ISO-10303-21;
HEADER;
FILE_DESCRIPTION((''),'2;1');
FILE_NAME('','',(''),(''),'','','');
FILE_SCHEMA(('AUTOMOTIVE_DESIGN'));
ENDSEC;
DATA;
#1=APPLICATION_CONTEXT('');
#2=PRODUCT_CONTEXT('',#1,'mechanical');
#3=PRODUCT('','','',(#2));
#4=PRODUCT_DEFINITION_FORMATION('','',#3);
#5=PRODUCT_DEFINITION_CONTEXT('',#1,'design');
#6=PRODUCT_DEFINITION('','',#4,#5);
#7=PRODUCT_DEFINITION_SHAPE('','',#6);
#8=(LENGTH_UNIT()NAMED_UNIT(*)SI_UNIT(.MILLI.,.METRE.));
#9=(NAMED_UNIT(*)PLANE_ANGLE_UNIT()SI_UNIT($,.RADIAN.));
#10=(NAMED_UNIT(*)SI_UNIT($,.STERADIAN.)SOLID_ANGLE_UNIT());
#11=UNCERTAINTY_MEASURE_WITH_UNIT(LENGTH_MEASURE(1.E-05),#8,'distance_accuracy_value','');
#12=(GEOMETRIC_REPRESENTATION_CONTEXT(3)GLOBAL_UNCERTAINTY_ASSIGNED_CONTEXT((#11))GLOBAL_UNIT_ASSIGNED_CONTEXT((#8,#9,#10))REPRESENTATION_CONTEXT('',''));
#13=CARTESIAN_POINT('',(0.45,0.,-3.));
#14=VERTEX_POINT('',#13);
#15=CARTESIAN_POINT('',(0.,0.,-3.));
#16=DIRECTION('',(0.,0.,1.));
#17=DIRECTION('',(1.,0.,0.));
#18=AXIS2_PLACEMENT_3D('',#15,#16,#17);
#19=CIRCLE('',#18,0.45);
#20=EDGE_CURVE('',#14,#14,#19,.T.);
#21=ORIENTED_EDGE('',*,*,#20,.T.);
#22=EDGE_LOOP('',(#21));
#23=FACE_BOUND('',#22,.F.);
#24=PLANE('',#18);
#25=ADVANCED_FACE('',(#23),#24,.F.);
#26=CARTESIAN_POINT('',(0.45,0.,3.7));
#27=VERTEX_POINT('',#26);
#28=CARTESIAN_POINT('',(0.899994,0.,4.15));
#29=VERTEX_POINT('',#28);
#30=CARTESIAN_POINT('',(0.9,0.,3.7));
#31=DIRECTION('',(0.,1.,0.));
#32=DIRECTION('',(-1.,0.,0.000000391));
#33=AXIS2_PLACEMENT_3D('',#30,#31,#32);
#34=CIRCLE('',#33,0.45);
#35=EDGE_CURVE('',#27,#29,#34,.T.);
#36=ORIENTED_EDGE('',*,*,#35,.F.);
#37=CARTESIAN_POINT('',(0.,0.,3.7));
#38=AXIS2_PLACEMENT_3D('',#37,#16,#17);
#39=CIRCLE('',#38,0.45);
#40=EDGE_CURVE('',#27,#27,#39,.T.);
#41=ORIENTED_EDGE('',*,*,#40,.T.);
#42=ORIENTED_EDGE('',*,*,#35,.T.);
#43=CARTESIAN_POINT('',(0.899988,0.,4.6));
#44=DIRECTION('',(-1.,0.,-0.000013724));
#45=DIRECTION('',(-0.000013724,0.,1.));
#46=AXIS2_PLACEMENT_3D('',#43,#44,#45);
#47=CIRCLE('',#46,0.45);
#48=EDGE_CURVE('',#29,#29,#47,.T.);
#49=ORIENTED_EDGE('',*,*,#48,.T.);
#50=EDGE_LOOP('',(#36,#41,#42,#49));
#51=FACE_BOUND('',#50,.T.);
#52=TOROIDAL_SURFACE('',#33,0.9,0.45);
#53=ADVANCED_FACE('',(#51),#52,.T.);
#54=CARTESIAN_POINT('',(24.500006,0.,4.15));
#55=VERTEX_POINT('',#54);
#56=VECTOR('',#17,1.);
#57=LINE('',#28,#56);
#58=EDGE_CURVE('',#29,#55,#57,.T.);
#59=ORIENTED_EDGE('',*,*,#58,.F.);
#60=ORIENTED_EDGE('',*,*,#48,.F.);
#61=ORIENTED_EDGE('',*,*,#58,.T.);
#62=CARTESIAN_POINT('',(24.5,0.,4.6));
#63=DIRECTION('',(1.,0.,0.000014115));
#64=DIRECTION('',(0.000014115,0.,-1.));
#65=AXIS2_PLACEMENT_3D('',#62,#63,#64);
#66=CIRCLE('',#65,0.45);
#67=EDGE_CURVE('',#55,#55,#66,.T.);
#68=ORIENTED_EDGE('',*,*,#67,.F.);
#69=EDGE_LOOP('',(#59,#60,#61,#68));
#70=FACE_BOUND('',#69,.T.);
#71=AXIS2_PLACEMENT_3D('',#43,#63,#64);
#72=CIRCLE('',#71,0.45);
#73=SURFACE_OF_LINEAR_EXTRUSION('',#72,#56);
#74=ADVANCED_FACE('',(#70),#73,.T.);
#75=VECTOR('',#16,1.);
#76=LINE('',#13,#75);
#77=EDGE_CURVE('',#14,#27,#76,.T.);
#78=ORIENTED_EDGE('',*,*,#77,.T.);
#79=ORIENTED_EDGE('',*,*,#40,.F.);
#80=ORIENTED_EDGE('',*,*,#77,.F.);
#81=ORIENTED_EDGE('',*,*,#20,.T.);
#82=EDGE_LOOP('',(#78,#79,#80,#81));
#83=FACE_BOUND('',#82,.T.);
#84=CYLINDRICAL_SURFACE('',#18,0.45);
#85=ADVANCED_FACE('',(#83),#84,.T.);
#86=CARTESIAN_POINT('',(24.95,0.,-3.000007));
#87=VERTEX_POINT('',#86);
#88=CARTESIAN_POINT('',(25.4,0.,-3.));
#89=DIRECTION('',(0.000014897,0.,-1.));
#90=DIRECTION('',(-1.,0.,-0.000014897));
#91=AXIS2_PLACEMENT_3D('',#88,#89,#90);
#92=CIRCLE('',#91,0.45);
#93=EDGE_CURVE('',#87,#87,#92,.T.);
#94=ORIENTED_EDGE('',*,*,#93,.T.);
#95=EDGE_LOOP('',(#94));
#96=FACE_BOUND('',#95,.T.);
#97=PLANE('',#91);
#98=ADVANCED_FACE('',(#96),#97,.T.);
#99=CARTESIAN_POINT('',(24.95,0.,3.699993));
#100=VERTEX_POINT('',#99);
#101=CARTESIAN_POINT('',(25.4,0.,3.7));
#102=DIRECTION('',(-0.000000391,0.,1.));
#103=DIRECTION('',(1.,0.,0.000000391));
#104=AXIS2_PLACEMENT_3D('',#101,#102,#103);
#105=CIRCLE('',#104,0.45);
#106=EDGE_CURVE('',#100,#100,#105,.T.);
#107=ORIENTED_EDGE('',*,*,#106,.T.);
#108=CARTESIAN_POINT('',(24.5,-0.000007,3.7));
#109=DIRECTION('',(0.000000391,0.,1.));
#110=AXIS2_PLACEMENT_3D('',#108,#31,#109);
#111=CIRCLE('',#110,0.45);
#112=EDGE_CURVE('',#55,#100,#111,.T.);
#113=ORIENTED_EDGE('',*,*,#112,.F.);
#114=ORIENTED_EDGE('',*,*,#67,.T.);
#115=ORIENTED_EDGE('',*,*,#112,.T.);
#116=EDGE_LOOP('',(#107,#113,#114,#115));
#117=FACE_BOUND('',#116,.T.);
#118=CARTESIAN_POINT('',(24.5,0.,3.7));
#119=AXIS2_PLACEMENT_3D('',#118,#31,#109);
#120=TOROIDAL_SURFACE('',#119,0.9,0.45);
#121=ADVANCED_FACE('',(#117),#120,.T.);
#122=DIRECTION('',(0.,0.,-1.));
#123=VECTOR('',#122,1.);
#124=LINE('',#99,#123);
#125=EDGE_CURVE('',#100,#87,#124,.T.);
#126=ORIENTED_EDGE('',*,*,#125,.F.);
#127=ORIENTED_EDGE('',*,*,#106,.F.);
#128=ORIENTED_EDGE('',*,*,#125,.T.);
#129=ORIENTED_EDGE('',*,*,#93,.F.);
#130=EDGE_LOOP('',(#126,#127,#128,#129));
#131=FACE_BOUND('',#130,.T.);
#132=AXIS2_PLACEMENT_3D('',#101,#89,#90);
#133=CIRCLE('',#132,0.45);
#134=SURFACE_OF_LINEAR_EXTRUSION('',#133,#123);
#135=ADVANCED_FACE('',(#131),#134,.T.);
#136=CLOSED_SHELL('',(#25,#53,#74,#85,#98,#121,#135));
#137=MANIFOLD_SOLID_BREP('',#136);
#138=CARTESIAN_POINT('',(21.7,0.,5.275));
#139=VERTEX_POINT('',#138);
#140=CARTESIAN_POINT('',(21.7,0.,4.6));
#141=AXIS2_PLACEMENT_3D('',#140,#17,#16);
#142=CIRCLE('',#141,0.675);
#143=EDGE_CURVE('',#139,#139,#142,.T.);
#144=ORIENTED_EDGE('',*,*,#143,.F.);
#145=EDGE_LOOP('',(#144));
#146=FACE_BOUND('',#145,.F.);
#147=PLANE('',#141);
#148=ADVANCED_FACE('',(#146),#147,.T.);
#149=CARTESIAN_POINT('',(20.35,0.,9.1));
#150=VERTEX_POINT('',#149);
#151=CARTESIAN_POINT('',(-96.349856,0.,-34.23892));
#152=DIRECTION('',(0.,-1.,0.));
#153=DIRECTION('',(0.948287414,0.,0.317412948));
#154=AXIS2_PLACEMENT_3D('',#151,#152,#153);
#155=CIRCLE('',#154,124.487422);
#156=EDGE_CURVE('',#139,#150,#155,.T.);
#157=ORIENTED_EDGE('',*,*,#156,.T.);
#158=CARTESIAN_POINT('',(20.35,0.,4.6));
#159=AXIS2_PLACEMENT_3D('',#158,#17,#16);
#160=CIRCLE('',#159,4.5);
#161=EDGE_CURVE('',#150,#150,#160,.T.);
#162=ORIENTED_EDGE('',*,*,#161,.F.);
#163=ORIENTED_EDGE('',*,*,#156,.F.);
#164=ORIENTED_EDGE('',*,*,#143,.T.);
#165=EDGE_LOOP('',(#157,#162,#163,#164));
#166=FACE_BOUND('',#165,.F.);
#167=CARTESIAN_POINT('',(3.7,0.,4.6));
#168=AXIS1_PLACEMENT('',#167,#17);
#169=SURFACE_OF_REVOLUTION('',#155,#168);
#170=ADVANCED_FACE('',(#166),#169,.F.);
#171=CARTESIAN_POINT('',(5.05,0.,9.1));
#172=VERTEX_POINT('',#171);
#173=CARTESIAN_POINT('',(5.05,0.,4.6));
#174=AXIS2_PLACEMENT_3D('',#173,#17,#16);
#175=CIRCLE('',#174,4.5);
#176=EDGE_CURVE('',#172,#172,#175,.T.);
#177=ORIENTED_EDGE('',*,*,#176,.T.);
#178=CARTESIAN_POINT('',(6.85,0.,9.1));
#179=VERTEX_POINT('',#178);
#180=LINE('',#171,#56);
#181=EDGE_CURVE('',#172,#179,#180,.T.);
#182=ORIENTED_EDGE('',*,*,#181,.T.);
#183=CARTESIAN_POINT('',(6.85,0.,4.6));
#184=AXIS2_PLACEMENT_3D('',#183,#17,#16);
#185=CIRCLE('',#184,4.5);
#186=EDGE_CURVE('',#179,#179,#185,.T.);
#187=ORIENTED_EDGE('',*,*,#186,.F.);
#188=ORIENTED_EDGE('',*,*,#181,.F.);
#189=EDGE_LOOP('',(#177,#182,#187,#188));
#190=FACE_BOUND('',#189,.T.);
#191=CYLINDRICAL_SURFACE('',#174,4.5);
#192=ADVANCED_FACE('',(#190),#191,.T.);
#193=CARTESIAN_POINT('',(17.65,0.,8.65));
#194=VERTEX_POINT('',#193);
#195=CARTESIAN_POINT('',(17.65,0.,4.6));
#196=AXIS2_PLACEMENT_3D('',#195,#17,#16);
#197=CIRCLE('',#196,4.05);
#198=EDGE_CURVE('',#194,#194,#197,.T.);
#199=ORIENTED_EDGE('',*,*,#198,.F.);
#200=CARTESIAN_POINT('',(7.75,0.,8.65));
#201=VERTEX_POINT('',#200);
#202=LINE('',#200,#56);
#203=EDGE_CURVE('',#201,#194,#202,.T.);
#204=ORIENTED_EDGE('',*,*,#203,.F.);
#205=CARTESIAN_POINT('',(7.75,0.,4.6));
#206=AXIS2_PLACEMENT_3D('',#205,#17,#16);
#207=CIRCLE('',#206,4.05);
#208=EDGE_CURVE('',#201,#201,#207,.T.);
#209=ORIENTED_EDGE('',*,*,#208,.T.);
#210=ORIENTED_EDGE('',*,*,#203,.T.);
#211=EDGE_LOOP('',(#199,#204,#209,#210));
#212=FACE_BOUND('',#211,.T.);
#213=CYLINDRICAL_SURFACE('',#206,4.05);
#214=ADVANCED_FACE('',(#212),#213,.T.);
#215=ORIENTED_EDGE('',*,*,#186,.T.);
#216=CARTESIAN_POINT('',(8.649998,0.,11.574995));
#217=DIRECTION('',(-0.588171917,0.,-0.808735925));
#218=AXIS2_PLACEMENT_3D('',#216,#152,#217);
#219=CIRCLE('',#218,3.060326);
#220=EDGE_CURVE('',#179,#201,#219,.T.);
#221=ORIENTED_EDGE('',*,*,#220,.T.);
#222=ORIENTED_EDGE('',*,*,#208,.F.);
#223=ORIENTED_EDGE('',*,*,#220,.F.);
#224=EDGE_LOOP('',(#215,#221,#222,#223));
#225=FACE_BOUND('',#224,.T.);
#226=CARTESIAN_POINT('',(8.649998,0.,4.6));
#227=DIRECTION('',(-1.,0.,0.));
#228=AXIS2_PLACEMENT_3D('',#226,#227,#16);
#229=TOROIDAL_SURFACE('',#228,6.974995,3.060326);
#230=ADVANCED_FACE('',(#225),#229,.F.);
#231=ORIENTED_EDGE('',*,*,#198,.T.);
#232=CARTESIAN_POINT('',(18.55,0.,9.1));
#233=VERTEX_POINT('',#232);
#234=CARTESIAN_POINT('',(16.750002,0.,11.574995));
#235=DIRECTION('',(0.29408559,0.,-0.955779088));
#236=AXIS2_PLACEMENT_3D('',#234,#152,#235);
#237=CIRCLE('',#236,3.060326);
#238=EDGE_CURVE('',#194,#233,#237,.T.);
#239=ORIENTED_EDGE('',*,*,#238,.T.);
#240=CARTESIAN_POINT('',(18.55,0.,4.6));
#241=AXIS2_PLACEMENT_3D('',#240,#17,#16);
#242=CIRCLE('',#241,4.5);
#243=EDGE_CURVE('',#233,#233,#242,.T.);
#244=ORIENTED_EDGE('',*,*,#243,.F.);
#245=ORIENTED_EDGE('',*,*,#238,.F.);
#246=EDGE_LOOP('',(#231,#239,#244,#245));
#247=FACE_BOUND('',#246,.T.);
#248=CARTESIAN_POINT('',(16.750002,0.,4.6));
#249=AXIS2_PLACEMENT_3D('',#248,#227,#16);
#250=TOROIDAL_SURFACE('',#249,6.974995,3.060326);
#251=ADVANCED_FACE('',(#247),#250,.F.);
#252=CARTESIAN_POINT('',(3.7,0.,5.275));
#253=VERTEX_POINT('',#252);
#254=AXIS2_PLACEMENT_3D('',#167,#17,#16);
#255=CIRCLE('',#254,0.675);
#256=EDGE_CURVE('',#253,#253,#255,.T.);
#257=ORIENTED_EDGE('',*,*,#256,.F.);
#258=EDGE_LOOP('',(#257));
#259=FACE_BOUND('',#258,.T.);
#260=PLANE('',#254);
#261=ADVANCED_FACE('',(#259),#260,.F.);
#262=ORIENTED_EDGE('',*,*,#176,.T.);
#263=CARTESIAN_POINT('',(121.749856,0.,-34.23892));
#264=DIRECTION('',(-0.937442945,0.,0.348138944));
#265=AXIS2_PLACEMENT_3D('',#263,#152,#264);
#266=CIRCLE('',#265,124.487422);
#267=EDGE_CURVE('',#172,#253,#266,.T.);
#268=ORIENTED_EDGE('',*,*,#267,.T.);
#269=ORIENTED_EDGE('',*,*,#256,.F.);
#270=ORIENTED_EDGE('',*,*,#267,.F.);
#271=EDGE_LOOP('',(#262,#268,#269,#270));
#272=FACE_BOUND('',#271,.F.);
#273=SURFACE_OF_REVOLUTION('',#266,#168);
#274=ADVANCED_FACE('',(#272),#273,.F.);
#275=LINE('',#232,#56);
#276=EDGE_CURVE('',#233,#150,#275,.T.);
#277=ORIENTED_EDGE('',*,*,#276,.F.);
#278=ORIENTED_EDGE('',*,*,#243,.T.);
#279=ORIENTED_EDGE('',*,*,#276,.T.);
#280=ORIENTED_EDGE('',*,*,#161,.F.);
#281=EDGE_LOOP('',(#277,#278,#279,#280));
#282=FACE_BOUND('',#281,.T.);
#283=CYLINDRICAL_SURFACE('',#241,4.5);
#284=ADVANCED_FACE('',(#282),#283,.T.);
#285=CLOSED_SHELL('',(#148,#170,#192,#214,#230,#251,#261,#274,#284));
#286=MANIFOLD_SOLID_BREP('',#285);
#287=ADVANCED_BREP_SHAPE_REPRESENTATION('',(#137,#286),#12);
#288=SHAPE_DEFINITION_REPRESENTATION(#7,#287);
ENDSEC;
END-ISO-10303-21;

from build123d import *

# Parameters (mm, degrees)
SKETCH_R = 0.45


with BuildPart() as revolution:
    # Sketch002 → Revolution (revolve)
    with BuildSketch(Plane.XZ):
        with BuildLine():
            Line((5.05, 9.1), (6.85, 9.1))
            ThreePointArc((6.85, 9.1), (7.281378, 8.837757), (7.75, 8.65))
            Line((7.75, 8.65), (17.65, 8.65))
            ThreePointArc((17.65, 8.65), (18.118622, 8.837757), (18.55, 9.1))
            Line((18.55, 9.1), (20.35, 9.1))
            ThreePointArc((21.7, 5.275), (21.04058, 7.192999), (20.35, 9.1))
            Line((21.7, 4.6), (21.7, 5.275))
            Line((3.7, 4.6), (21.7, 4.6))
            Line((3.7, 4.6), (3.7, 5.275))
            ThreePointArc((5.05, 9.1), (4.35942, 7.192999), (3.7, 5.275))
        make_face()
    revolve(axis=Axis((3.7, 0, 4.6), (1, 0, 0)))


with BuildPart() as sweep_body:
    # Sweep: sweep along a path in Sketch001
    with BuildLine(Plane.XZ) as sweep_path:
        Line((0, -3), (0, 3.7))
        ThreePointArc((0, 3.7), (0.2636, 4.336392), (0.899988, 4.6))
        Line((0.899988, 4.6), (24.5, 4.6))
        ThreePointArc((24.5, 4.6), (25.136396, 4.336396), (25.4, 3.7))
        Line((25.4, 3.7), (25.4, -3))
    # Sketch → Sweep (sweep)
    with BuildSketch(Plane.XY.offset(-2)):
        Circle(SKETCH_R)
    sweep(path=sweep_path.line)


solid = Compound([revolution.part, sweep_body.part])
